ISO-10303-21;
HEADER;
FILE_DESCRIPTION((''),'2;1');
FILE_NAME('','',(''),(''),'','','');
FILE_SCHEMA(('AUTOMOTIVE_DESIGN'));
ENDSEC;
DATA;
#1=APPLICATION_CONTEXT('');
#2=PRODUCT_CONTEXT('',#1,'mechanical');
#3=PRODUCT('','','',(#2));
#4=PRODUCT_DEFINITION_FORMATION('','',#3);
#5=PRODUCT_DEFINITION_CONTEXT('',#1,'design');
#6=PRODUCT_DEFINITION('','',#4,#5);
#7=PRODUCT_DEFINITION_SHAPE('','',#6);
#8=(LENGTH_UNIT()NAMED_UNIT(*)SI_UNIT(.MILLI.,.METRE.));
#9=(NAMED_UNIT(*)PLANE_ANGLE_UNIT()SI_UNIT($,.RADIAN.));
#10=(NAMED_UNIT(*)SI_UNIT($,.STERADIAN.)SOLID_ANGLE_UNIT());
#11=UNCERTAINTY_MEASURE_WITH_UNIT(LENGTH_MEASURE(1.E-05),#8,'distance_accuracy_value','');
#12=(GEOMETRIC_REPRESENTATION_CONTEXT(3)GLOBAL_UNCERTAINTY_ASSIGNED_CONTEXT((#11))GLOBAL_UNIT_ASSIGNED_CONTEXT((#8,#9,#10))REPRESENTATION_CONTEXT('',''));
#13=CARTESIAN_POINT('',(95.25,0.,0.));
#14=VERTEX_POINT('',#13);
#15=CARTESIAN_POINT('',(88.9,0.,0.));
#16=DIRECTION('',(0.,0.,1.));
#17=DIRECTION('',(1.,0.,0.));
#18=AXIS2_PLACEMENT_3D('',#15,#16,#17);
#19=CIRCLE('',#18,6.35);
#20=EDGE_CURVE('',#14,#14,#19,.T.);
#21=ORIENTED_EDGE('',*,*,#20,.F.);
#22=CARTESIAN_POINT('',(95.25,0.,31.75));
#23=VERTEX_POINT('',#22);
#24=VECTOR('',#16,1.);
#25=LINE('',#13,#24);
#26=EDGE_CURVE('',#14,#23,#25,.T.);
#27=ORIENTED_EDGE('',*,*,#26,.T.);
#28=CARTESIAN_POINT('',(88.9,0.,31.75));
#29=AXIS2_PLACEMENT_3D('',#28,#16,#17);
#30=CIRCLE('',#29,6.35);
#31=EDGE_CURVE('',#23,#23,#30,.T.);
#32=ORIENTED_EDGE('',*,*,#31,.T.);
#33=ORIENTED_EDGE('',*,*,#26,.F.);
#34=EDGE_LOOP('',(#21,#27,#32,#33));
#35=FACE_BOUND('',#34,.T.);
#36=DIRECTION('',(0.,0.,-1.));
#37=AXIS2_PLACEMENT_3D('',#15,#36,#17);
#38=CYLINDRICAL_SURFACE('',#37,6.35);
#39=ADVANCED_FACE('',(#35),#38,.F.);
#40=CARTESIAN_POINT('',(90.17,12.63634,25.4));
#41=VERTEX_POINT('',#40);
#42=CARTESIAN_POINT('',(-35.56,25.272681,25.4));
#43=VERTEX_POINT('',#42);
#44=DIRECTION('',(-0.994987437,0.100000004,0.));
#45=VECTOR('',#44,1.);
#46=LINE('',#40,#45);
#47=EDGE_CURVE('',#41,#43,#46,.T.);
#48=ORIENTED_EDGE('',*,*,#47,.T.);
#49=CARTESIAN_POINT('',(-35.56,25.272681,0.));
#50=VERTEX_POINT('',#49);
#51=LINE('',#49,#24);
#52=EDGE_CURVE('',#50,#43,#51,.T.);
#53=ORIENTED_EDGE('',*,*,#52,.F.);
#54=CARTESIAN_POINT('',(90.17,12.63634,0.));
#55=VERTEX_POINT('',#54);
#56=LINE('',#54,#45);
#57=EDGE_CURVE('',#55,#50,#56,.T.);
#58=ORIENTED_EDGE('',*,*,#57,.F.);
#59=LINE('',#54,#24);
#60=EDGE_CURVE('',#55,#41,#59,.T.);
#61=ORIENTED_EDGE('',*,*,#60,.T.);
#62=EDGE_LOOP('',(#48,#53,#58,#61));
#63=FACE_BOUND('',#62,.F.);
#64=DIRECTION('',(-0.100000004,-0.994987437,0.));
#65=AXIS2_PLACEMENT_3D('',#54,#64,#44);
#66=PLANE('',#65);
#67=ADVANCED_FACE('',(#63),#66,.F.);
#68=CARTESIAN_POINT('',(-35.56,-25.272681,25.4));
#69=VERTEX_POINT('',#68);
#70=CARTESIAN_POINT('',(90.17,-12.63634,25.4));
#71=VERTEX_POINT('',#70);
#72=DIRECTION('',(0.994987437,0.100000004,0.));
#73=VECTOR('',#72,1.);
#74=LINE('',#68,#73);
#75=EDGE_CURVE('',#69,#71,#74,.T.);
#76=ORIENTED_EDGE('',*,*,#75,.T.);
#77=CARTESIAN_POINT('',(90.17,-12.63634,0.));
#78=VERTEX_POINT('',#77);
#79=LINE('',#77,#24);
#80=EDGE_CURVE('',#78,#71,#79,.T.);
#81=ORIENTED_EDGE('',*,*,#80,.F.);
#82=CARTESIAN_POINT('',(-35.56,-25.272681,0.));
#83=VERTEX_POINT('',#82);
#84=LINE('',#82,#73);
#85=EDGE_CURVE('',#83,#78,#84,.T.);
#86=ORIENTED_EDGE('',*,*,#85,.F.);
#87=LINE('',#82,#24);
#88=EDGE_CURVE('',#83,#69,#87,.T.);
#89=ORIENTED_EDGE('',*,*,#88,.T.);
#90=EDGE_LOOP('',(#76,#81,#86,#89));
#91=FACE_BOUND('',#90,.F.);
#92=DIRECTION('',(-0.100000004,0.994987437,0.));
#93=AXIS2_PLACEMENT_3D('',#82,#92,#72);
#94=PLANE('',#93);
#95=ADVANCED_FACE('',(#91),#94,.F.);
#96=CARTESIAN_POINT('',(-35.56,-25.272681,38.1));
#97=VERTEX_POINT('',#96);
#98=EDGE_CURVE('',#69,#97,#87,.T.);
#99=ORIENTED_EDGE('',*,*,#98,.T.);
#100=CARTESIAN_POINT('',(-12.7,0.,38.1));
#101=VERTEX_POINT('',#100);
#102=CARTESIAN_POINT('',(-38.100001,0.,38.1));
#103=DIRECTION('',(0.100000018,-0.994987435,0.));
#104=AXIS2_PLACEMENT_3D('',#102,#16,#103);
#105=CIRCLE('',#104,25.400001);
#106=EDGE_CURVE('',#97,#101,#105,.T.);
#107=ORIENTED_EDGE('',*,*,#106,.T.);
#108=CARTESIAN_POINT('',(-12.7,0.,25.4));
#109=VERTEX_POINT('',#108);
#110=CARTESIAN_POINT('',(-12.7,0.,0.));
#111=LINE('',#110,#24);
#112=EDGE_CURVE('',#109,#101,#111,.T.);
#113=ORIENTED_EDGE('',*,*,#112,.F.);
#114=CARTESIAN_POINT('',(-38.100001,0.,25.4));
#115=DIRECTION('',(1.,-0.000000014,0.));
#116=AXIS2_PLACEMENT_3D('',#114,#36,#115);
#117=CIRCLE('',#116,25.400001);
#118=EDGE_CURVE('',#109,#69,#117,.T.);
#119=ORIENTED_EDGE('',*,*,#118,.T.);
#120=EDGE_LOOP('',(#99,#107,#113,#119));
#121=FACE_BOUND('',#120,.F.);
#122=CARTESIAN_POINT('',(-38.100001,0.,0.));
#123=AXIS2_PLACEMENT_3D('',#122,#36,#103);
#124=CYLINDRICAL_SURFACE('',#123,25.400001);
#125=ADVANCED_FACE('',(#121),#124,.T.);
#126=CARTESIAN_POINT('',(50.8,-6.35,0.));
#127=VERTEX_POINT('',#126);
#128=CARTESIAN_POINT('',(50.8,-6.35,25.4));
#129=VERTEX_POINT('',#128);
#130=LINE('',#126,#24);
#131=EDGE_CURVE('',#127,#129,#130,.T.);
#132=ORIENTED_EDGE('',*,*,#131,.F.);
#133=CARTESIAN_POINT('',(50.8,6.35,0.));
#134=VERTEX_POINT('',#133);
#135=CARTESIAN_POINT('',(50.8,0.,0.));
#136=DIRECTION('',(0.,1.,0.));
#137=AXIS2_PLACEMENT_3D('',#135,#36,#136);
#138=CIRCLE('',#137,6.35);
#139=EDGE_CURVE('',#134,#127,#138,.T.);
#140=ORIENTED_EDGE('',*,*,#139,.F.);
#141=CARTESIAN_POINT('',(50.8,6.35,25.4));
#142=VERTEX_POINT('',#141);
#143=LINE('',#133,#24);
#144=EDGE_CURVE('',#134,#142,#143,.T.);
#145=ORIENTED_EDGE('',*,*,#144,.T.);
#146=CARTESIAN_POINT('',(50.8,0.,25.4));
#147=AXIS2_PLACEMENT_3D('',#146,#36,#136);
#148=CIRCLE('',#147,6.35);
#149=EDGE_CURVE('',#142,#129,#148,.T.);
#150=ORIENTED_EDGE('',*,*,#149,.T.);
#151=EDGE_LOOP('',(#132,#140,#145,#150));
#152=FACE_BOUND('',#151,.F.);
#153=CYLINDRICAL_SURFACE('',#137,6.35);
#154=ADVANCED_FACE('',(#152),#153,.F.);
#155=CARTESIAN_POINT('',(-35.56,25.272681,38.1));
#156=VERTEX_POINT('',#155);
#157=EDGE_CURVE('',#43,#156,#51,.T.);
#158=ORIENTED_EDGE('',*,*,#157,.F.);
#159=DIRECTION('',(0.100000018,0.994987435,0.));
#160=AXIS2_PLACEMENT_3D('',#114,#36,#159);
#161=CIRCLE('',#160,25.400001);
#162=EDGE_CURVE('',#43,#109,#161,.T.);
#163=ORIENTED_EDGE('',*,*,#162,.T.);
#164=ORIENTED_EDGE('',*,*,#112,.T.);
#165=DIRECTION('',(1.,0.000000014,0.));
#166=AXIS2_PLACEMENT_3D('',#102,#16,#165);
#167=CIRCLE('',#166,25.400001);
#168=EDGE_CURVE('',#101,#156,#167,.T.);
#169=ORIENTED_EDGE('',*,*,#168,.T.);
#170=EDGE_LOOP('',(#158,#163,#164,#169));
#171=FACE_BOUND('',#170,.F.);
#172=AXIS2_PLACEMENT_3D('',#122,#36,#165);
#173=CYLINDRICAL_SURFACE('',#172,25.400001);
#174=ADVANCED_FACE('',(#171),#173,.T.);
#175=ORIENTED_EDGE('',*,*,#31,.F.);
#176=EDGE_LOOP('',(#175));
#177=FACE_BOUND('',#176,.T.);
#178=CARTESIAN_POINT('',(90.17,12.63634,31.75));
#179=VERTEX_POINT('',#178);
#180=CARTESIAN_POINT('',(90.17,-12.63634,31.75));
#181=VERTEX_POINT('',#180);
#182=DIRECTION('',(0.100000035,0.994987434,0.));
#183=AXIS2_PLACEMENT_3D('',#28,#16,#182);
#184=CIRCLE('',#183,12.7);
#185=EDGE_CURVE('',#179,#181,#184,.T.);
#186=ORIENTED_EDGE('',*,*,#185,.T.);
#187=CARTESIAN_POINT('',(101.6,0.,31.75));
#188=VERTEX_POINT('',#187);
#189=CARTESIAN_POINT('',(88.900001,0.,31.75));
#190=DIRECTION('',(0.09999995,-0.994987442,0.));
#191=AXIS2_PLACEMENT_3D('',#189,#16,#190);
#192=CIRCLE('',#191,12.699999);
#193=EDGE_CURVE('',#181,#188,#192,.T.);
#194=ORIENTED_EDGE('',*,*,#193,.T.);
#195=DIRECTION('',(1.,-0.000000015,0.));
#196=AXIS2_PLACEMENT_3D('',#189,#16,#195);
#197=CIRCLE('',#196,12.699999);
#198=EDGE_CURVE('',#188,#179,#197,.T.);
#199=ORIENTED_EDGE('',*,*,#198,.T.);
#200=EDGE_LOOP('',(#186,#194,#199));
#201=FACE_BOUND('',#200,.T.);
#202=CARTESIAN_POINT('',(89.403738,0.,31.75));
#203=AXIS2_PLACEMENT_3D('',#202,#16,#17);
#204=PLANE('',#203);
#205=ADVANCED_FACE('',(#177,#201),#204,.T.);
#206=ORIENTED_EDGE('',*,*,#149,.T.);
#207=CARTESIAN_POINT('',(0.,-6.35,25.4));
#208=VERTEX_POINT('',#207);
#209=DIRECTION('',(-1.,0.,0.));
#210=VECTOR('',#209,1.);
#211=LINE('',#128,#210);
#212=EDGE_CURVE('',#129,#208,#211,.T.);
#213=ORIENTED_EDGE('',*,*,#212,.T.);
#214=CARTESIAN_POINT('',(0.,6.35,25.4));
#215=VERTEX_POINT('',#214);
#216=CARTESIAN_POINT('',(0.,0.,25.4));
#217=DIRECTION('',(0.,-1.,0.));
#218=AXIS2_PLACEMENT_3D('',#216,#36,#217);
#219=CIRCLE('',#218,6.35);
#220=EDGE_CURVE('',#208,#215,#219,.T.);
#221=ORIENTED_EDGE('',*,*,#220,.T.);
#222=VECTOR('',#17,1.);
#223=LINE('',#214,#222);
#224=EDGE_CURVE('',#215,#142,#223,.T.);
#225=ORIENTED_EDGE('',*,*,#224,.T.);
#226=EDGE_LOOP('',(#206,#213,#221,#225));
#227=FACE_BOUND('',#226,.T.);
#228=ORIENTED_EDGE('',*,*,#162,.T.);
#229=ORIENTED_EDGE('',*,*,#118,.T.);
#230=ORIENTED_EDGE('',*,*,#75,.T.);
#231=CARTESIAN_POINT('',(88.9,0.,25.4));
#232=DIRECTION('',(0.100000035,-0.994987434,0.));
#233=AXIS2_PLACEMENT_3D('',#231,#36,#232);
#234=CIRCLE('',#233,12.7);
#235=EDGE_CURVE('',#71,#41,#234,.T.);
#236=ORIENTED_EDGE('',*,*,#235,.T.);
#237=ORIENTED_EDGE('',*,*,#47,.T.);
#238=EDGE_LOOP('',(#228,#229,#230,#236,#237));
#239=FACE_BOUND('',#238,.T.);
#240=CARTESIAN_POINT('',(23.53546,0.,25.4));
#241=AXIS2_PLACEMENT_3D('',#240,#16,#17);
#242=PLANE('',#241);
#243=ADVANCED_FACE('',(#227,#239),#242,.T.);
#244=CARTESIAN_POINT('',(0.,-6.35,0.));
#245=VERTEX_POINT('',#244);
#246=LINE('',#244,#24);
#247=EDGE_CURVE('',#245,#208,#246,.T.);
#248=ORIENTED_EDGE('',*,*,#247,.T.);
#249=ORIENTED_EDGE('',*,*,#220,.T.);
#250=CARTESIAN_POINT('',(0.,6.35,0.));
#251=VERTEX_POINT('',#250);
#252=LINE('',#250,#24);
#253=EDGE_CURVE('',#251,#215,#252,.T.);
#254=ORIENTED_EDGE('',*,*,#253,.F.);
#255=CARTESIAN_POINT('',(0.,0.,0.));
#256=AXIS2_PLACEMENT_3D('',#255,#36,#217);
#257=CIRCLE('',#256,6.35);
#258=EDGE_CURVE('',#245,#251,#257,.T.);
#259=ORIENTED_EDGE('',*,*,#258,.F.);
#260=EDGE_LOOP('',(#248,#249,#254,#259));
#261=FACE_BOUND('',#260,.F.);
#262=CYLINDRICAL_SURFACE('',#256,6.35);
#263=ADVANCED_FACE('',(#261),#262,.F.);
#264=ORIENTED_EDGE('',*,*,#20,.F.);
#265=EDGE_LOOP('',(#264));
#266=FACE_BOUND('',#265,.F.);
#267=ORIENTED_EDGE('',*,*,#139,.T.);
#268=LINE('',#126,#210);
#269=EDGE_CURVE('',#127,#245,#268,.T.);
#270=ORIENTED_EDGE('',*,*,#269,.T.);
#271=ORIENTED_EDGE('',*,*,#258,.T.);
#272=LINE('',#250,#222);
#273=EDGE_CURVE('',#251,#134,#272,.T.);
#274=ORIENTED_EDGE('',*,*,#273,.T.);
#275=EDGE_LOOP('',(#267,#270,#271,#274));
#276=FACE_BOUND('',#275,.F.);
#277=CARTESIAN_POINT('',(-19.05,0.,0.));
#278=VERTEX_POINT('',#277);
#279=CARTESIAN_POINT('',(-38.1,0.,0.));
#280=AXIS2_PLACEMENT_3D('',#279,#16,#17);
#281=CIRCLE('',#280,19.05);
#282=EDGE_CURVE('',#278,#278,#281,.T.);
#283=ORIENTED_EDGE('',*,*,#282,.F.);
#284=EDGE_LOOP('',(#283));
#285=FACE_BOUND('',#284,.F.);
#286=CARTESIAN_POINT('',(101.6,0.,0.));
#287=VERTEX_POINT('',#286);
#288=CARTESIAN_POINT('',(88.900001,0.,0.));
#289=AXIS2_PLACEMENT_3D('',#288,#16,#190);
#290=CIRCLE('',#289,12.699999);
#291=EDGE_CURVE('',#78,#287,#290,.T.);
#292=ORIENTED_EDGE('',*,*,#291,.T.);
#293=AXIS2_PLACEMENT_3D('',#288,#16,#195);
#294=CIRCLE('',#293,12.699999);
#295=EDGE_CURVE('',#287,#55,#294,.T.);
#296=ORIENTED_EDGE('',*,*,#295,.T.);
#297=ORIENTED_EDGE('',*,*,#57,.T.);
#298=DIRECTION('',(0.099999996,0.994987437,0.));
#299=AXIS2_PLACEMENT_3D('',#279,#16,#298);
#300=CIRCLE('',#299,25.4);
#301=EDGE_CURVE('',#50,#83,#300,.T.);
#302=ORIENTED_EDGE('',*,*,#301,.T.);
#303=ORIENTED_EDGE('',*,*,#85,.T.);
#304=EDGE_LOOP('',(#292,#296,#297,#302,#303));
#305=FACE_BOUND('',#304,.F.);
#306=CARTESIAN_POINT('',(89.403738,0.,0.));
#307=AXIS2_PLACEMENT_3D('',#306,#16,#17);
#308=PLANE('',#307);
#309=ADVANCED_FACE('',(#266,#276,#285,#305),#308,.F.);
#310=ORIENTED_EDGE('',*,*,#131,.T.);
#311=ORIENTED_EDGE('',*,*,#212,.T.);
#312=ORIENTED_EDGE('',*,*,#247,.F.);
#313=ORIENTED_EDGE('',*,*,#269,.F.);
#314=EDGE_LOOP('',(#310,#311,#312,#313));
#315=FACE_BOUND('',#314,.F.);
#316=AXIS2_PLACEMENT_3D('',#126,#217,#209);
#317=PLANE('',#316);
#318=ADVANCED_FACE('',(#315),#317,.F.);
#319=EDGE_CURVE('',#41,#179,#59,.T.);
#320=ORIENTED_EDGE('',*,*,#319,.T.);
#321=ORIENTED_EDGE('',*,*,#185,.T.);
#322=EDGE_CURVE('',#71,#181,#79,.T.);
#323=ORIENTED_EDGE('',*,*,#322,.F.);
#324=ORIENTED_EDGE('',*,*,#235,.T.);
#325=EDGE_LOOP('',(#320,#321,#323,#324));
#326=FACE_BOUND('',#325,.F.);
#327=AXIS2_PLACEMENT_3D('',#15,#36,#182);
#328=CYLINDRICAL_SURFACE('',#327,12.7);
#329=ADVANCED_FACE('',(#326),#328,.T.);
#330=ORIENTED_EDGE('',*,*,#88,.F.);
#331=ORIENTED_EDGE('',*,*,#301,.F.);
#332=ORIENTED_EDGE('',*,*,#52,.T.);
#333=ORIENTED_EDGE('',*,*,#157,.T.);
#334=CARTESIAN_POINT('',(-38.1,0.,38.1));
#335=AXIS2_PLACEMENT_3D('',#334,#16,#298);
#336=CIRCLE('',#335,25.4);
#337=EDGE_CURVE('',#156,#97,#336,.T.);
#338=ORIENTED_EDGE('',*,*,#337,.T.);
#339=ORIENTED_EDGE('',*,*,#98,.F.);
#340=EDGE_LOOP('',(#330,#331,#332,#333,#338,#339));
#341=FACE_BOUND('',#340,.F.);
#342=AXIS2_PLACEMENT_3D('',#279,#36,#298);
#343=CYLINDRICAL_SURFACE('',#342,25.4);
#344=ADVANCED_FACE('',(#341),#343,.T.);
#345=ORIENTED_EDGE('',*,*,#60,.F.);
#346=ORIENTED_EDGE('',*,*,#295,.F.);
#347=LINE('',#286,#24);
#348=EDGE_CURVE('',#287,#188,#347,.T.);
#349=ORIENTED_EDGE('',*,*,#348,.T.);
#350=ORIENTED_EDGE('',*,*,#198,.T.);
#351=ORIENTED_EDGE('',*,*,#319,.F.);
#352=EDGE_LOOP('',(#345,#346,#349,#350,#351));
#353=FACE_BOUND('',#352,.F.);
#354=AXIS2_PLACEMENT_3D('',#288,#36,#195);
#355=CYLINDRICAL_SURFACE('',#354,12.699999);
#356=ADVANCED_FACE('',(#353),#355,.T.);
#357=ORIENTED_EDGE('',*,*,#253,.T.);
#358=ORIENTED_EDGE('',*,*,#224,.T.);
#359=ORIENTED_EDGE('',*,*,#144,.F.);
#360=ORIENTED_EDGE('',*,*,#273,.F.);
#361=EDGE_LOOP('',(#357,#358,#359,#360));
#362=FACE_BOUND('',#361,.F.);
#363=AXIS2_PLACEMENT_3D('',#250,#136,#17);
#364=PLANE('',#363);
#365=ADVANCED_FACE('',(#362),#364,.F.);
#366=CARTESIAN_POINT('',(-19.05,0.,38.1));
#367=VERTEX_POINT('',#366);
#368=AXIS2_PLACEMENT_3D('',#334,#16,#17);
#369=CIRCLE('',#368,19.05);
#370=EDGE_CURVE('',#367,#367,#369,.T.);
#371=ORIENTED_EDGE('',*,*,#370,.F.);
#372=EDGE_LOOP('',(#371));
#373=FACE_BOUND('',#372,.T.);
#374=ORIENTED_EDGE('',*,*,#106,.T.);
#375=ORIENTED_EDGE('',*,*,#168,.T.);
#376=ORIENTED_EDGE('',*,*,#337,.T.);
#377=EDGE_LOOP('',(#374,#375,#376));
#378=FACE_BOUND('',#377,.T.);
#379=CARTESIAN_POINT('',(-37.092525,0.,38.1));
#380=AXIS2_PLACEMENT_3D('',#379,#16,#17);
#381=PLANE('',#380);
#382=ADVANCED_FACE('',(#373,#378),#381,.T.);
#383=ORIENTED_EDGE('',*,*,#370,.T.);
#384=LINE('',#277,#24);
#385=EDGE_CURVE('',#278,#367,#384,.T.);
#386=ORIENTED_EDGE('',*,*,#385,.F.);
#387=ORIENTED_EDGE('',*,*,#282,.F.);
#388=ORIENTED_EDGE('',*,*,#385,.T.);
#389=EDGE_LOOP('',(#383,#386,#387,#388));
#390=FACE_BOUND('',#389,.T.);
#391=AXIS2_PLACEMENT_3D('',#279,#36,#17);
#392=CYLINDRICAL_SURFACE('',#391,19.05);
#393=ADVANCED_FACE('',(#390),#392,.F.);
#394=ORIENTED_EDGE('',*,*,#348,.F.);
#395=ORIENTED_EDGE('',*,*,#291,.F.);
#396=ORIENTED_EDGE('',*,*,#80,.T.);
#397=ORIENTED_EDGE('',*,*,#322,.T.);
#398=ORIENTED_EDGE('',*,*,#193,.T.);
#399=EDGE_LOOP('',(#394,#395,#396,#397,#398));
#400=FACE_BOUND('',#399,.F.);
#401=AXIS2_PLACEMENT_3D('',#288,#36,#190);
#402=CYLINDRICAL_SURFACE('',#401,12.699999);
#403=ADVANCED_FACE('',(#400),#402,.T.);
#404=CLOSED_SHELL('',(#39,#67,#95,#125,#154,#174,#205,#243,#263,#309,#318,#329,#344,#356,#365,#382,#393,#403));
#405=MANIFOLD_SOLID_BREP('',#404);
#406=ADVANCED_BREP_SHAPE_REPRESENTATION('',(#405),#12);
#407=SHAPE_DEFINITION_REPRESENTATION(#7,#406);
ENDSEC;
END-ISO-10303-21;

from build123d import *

# Parameters (mm, degrees)
F0_R     = 19.05
F1_DEPTH = 38.1
F2_DEPTH = 25.4
F0_R_2   = 6.35
F3_DEPTH = 31.75


with BuildPart() as f1:
    # F0 (on Top) → F1 (new body)
    with BuildSketch(Plane.XY):
        with BuildLine():
            ThreePointArc((-12.7, 0), (-19.262856, 17.038838), (-35.56, 25.272681))
            ThreePointArc((-35.56, 25.272681), (-63.5, 0), (-35.56, -25.272681))
            ThreePointArc((-35.56, -25.272681), (-19.262856, -17.038838), (-12.7, 0))
        make_face()
        with Locations((-38.1, 0)):
            Circle(F0_R, mode=Mode.SUBTRACT)
    extrude(amount=F1_DEPTH)

    # F0 (on Top) → F2 (join)
    with BuildSketch(Plane.XY):
        with BuildLine():
            ThreePointArc((90.17, -12.63634), (76.2, 0), (90.17, 12.63634))
            Line((90.17, 12.63634), (-35.56, 25.272681))
            ThreePointArc((-35.56, 25.272681), (-19.262856, 17.038838), (-12.7, 0))
            ThreePointArc((-12.7, 0), (-19.262856, -17.038838), (-35.56, -25.272681))
            Line((-35.56, -25.272681), (90.17, -12.63634))
        make_face()
        with BuildLine():
            ThreePointArc((0, -6.35), (-6.35, 0), (0, 6.35))
            Line((0, 6.35), (50.8, 6.35))
            ThreePointArc((50.8, 6.35), (57.15, 0), (50.8, -6.35))
            Line((50.8, -6.35), (0, -6.35))
        make_face(mode=Mode.SUBTRACT)
    extrude(amount=F2_DEPTH)

    # F0 (on Top) → F3 (join)
    with BuildSketch(Plane.XY):
        with BuildLine():
            ThreePointArc((90.17, -12.63634), (98.318572, -8.519419), (101.6, 0))
            ThreePointArc((101.6, 0), (98.318572, 8.519419), (90.17, 12.63634))
            ThreePointArc((90.17, 12.63634), (76.2, 0), (90.17, -12.63634))
        make_face()
        with Locations((88.9, 0)):
            Circle(F0_R_2, mode=Mode.SUBTRACT)
    extrude(amount=F3_DEPTH)


solid = f1.part
